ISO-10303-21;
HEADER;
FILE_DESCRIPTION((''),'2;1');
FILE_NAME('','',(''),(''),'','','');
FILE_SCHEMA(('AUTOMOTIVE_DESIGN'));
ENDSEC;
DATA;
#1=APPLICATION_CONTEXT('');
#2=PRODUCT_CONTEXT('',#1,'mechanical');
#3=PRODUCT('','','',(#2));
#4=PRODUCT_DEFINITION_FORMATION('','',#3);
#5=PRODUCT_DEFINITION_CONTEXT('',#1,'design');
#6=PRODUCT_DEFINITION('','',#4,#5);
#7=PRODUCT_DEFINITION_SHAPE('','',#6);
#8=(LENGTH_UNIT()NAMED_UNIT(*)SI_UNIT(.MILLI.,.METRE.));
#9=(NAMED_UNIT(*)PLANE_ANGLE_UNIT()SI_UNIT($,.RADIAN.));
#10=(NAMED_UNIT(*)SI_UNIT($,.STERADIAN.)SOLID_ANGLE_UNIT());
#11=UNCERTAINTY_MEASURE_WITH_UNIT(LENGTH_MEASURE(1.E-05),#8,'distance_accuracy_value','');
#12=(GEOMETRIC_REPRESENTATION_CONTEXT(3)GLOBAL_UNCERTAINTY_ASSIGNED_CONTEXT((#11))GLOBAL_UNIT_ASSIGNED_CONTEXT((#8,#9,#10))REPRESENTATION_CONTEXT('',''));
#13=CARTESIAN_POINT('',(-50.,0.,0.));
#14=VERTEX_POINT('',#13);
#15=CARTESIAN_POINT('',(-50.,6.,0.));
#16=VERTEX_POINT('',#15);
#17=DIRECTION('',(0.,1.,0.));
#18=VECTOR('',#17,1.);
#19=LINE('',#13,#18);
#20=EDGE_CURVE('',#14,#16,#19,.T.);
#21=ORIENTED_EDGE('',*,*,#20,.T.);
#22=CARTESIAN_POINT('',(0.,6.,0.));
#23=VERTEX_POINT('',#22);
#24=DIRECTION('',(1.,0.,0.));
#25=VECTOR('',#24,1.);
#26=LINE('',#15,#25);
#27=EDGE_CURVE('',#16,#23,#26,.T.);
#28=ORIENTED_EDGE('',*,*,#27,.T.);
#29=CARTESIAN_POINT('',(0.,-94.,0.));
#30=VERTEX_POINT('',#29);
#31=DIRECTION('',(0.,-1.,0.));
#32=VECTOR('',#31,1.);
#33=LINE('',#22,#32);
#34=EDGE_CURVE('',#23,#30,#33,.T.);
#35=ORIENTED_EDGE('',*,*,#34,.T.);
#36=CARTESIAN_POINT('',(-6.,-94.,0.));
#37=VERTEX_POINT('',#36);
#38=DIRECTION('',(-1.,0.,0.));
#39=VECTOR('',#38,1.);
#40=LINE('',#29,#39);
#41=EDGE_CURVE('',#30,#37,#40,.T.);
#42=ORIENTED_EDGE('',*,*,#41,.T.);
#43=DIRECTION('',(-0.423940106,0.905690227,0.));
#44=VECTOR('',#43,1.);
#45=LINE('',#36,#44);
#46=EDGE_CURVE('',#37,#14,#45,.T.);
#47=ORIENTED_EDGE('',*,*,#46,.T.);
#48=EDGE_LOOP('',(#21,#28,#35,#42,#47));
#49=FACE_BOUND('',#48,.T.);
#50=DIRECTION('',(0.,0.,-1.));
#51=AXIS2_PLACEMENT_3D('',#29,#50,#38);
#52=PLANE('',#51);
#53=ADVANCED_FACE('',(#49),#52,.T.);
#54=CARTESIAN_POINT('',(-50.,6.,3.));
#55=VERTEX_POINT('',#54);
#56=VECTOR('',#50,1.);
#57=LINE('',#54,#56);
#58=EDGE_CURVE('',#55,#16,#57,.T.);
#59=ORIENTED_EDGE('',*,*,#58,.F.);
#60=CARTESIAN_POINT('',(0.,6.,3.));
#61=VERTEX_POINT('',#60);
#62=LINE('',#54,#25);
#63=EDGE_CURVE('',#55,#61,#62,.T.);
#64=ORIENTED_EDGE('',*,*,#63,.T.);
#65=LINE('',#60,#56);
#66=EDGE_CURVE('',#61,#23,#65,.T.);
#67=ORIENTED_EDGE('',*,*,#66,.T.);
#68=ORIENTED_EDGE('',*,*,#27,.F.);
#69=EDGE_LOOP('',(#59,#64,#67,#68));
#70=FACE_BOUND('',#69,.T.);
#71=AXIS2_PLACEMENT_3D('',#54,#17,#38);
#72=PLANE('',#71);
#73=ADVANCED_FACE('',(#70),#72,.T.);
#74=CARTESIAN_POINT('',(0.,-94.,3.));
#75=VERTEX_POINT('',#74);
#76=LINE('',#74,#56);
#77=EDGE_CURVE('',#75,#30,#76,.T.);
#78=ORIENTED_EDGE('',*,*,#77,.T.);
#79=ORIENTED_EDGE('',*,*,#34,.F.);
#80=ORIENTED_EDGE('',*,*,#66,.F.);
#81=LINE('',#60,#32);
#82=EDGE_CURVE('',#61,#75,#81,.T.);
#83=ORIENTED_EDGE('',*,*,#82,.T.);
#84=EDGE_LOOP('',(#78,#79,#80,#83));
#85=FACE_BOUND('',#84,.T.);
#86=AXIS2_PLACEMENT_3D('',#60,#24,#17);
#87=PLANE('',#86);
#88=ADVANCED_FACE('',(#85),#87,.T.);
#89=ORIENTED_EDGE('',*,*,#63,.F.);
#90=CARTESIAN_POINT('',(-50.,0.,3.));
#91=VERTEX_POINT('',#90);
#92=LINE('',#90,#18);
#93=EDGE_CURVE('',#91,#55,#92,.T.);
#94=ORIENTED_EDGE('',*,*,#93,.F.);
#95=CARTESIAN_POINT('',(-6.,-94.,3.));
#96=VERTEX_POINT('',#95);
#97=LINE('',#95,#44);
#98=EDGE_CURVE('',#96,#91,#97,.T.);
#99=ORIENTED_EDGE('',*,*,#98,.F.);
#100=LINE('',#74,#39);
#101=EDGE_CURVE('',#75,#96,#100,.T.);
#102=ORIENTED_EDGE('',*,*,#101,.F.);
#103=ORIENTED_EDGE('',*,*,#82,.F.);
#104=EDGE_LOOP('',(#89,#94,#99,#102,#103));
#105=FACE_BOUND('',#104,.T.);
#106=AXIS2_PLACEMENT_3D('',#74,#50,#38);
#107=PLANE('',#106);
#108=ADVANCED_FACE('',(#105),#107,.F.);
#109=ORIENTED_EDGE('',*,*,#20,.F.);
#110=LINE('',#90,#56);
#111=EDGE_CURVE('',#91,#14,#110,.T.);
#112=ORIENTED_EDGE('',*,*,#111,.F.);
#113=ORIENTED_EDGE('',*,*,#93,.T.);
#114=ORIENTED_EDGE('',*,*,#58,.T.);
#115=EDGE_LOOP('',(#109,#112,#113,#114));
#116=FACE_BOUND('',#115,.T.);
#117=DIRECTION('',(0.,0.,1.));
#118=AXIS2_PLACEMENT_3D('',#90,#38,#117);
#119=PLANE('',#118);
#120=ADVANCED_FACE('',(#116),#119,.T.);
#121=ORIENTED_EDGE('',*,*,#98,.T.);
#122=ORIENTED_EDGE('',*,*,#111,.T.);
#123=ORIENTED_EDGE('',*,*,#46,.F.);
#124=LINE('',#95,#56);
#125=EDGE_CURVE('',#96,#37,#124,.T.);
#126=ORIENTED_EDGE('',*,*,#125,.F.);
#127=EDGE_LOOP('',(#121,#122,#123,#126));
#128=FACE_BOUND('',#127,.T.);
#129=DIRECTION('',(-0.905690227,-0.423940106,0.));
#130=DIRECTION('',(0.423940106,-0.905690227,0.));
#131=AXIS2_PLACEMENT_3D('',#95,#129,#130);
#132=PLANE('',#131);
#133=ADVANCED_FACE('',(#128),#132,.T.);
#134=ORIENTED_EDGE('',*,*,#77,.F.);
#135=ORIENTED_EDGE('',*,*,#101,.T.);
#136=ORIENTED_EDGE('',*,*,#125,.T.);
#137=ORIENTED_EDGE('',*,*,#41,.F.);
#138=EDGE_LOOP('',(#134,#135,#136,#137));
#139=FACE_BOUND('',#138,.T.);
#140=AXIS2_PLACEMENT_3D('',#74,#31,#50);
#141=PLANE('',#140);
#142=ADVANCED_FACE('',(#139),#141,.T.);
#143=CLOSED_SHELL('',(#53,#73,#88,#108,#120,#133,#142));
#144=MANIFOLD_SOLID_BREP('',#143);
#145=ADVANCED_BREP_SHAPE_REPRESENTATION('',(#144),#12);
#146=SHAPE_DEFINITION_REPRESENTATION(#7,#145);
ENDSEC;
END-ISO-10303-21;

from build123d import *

# Parameters (mm, degrees)
EXTRUDE_1_DEPTH = 3


with BuildPart() as part:
    # Эскиз1 → Бобышка-Вытянуть1 (new body)
    with BuildSketch(Plane.XY):
        Polygon((0, -94), (-6, -94), (-50, 0), (-50, 6), (0, 6), align=None)
    extrude(amount=EXTRUDE_1_DEPTH)


solid = part.part
